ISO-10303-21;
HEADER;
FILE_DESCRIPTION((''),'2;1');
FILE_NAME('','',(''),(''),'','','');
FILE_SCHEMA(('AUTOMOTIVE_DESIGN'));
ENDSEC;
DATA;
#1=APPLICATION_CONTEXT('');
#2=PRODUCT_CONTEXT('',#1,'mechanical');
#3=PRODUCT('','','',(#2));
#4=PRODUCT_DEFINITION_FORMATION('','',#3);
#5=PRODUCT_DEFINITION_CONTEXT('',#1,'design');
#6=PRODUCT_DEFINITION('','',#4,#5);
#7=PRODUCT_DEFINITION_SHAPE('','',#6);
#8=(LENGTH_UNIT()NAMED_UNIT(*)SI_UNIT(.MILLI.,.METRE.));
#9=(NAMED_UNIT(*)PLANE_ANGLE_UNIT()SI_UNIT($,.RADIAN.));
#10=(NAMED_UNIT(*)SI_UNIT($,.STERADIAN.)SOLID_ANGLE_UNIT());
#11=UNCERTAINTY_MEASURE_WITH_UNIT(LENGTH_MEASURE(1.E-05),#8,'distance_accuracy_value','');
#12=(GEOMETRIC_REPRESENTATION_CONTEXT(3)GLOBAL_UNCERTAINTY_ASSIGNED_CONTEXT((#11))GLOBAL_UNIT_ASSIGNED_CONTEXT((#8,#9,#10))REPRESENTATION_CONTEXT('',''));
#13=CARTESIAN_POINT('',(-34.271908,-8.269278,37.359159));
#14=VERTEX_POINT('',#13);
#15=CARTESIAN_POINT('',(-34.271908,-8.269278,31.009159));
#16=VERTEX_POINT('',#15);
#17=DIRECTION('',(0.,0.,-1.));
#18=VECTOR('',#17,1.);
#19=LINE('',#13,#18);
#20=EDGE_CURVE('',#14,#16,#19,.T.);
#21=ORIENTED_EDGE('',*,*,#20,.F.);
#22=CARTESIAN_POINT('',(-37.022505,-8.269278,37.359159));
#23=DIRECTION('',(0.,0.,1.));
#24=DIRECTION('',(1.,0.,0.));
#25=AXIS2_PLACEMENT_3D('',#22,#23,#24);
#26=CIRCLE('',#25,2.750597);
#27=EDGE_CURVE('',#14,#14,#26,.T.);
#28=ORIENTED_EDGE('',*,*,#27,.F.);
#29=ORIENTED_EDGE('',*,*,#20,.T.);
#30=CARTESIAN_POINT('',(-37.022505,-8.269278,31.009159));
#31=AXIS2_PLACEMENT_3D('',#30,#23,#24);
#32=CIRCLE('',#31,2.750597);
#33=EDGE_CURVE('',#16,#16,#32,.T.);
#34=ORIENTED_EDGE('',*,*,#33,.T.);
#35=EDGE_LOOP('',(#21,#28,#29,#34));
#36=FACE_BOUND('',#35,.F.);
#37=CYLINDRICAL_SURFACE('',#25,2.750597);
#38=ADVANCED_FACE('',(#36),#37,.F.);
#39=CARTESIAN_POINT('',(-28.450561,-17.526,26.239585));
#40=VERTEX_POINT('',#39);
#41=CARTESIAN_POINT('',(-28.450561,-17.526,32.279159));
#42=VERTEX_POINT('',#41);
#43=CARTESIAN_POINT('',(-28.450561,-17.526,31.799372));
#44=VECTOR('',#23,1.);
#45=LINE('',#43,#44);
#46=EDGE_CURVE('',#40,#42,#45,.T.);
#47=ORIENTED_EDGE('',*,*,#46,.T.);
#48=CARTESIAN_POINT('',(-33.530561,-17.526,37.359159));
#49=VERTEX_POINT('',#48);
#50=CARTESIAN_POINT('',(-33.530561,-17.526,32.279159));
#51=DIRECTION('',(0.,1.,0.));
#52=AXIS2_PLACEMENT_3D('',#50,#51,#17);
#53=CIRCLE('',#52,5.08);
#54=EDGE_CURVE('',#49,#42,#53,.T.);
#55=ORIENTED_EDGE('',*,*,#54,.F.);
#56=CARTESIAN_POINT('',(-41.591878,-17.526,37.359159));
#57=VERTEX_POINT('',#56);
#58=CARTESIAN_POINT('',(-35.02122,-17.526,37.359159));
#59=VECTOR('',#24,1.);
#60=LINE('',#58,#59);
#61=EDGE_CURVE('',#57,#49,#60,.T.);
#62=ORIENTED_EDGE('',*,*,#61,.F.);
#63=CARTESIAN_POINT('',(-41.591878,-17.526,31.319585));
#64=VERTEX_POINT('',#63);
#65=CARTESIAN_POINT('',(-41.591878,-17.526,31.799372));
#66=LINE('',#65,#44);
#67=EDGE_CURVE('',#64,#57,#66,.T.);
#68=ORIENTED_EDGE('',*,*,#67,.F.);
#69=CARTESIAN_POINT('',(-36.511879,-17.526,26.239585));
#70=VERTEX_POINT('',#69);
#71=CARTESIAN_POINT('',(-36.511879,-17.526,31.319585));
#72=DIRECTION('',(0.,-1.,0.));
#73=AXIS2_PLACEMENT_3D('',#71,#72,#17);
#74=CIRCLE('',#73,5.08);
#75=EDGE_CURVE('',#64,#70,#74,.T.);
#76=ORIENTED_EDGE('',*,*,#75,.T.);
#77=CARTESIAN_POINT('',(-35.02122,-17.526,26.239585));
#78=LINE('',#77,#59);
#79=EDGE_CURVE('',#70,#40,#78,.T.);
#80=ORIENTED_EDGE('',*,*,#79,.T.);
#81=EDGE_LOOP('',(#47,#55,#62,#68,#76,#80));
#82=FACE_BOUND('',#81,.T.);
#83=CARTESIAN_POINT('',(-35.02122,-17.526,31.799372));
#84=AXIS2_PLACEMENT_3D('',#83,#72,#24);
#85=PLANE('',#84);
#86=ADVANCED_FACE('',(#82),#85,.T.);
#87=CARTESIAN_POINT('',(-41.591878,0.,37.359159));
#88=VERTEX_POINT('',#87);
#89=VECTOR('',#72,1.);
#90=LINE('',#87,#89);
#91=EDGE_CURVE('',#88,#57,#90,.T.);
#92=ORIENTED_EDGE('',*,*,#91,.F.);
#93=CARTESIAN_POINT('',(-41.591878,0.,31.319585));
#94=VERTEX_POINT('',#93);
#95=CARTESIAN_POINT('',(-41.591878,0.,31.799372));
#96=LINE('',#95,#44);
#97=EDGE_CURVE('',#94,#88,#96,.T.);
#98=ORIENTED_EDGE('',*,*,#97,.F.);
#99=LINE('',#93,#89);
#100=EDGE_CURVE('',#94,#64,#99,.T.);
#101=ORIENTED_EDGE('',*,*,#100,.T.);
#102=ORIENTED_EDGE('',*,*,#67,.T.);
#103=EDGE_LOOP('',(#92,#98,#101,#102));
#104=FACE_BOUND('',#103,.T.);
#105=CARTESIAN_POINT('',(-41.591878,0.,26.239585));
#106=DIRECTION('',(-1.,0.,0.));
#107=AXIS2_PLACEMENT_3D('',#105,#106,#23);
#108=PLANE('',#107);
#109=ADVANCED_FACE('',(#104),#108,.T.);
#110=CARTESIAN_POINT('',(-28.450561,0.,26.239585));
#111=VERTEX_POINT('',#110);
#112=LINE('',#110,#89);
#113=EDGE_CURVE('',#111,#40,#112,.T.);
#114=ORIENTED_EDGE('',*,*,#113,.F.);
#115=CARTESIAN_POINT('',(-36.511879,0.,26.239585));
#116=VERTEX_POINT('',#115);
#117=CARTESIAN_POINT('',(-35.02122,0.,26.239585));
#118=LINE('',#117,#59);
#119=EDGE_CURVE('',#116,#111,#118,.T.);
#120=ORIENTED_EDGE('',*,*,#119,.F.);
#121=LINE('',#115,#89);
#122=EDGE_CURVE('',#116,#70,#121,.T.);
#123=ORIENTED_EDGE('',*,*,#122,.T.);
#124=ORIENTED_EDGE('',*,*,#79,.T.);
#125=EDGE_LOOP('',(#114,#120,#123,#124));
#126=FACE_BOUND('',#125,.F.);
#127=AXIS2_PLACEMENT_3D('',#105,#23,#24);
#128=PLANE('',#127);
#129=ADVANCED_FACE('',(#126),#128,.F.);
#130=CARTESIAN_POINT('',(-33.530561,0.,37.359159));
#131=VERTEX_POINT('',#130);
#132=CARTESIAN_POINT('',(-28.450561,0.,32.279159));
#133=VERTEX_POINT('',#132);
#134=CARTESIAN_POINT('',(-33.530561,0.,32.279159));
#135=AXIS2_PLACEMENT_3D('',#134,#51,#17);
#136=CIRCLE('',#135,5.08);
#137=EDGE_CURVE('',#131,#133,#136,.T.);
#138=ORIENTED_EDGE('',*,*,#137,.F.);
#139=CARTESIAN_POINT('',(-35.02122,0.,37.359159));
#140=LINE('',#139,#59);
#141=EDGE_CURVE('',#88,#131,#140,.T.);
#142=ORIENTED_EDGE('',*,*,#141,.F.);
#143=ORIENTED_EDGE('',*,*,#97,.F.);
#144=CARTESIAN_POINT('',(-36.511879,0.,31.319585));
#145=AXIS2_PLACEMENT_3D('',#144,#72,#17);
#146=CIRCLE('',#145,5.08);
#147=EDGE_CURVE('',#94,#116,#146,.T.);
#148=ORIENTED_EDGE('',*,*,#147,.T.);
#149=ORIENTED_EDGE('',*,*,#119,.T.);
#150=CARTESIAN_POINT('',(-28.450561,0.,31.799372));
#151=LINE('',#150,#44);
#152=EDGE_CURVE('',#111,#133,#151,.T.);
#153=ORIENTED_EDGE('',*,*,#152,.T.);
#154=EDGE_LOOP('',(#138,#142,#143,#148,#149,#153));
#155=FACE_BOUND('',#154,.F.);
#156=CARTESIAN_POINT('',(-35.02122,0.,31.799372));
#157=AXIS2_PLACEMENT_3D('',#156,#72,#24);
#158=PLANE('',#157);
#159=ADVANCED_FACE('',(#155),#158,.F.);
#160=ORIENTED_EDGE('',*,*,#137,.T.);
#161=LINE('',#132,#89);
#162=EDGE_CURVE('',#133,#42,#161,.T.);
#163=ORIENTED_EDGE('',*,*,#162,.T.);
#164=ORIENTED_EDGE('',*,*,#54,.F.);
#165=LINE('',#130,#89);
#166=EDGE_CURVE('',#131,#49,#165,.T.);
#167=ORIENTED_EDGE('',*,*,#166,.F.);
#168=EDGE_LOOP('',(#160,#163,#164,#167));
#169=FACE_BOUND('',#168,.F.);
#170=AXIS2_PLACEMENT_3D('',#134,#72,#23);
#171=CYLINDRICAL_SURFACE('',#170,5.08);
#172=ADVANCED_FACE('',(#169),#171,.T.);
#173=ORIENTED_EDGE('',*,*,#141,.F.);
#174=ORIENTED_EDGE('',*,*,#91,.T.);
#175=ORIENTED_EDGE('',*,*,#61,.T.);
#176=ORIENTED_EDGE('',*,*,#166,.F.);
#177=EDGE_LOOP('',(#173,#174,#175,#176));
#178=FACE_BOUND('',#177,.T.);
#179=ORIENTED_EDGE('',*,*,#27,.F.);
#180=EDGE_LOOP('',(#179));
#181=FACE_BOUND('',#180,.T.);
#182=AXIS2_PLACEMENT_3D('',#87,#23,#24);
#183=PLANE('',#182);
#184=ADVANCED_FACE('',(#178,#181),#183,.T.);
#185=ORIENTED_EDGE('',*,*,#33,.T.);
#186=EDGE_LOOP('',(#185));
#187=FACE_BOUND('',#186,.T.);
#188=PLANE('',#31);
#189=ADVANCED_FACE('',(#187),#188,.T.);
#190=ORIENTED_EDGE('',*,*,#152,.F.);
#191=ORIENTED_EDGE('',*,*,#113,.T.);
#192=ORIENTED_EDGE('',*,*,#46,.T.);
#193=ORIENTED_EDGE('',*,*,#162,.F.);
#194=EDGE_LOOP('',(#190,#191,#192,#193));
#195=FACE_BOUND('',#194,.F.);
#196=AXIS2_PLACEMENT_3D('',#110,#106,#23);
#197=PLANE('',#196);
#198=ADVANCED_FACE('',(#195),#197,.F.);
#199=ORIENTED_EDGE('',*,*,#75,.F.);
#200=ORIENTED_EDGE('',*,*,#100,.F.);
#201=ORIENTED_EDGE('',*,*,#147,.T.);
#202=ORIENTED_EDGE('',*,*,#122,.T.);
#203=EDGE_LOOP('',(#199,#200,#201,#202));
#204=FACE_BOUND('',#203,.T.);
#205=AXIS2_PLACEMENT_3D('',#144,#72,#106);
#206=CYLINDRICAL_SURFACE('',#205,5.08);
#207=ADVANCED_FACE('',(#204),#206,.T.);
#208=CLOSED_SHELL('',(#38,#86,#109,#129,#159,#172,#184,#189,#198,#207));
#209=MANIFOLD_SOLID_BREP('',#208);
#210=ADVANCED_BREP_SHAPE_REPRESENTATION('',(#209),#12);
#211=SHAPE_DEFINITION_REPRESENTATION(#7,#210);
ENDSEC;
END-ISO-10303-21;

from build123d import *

# Parameters (mm, degrees)
F0_W     = 13.141317
F0_H     = 11.119574
F1_DEPTH = 17.526
F2_R     = 2.750597
F3_DEPTH = 6.35
F4_R     = 5.08


with BuildPart() as f1:
    # F0 (on Front) → F1 (new body)
    with BuildSketch(Plane.XZ):
        with Locations((-35.02122, 31.799372)):
            Rectangle(F0_W, F0_H)
    extrude(amount=F1_DEPTH)

    # F2 (on face) → F3 (cut)
    with BuildSketch(Plane.XY.offset(37.359159)):
        with Locations((-37.022505, -8.269278)):
            Circle(F2_R)
    extrude(amount=-F3_DEPTH, mode=Mode.SUBTRACT)

    # F4
    f4_edges = [f1.edges().sort_by_distance(p)[0] for p in [
        (-28.450562, -8.763, 37.359159),
        (-41.591879, -8.763, 26.239585),
    ]]
    fillet(f4_edges, radius=F4_R)


solid = f1.part
